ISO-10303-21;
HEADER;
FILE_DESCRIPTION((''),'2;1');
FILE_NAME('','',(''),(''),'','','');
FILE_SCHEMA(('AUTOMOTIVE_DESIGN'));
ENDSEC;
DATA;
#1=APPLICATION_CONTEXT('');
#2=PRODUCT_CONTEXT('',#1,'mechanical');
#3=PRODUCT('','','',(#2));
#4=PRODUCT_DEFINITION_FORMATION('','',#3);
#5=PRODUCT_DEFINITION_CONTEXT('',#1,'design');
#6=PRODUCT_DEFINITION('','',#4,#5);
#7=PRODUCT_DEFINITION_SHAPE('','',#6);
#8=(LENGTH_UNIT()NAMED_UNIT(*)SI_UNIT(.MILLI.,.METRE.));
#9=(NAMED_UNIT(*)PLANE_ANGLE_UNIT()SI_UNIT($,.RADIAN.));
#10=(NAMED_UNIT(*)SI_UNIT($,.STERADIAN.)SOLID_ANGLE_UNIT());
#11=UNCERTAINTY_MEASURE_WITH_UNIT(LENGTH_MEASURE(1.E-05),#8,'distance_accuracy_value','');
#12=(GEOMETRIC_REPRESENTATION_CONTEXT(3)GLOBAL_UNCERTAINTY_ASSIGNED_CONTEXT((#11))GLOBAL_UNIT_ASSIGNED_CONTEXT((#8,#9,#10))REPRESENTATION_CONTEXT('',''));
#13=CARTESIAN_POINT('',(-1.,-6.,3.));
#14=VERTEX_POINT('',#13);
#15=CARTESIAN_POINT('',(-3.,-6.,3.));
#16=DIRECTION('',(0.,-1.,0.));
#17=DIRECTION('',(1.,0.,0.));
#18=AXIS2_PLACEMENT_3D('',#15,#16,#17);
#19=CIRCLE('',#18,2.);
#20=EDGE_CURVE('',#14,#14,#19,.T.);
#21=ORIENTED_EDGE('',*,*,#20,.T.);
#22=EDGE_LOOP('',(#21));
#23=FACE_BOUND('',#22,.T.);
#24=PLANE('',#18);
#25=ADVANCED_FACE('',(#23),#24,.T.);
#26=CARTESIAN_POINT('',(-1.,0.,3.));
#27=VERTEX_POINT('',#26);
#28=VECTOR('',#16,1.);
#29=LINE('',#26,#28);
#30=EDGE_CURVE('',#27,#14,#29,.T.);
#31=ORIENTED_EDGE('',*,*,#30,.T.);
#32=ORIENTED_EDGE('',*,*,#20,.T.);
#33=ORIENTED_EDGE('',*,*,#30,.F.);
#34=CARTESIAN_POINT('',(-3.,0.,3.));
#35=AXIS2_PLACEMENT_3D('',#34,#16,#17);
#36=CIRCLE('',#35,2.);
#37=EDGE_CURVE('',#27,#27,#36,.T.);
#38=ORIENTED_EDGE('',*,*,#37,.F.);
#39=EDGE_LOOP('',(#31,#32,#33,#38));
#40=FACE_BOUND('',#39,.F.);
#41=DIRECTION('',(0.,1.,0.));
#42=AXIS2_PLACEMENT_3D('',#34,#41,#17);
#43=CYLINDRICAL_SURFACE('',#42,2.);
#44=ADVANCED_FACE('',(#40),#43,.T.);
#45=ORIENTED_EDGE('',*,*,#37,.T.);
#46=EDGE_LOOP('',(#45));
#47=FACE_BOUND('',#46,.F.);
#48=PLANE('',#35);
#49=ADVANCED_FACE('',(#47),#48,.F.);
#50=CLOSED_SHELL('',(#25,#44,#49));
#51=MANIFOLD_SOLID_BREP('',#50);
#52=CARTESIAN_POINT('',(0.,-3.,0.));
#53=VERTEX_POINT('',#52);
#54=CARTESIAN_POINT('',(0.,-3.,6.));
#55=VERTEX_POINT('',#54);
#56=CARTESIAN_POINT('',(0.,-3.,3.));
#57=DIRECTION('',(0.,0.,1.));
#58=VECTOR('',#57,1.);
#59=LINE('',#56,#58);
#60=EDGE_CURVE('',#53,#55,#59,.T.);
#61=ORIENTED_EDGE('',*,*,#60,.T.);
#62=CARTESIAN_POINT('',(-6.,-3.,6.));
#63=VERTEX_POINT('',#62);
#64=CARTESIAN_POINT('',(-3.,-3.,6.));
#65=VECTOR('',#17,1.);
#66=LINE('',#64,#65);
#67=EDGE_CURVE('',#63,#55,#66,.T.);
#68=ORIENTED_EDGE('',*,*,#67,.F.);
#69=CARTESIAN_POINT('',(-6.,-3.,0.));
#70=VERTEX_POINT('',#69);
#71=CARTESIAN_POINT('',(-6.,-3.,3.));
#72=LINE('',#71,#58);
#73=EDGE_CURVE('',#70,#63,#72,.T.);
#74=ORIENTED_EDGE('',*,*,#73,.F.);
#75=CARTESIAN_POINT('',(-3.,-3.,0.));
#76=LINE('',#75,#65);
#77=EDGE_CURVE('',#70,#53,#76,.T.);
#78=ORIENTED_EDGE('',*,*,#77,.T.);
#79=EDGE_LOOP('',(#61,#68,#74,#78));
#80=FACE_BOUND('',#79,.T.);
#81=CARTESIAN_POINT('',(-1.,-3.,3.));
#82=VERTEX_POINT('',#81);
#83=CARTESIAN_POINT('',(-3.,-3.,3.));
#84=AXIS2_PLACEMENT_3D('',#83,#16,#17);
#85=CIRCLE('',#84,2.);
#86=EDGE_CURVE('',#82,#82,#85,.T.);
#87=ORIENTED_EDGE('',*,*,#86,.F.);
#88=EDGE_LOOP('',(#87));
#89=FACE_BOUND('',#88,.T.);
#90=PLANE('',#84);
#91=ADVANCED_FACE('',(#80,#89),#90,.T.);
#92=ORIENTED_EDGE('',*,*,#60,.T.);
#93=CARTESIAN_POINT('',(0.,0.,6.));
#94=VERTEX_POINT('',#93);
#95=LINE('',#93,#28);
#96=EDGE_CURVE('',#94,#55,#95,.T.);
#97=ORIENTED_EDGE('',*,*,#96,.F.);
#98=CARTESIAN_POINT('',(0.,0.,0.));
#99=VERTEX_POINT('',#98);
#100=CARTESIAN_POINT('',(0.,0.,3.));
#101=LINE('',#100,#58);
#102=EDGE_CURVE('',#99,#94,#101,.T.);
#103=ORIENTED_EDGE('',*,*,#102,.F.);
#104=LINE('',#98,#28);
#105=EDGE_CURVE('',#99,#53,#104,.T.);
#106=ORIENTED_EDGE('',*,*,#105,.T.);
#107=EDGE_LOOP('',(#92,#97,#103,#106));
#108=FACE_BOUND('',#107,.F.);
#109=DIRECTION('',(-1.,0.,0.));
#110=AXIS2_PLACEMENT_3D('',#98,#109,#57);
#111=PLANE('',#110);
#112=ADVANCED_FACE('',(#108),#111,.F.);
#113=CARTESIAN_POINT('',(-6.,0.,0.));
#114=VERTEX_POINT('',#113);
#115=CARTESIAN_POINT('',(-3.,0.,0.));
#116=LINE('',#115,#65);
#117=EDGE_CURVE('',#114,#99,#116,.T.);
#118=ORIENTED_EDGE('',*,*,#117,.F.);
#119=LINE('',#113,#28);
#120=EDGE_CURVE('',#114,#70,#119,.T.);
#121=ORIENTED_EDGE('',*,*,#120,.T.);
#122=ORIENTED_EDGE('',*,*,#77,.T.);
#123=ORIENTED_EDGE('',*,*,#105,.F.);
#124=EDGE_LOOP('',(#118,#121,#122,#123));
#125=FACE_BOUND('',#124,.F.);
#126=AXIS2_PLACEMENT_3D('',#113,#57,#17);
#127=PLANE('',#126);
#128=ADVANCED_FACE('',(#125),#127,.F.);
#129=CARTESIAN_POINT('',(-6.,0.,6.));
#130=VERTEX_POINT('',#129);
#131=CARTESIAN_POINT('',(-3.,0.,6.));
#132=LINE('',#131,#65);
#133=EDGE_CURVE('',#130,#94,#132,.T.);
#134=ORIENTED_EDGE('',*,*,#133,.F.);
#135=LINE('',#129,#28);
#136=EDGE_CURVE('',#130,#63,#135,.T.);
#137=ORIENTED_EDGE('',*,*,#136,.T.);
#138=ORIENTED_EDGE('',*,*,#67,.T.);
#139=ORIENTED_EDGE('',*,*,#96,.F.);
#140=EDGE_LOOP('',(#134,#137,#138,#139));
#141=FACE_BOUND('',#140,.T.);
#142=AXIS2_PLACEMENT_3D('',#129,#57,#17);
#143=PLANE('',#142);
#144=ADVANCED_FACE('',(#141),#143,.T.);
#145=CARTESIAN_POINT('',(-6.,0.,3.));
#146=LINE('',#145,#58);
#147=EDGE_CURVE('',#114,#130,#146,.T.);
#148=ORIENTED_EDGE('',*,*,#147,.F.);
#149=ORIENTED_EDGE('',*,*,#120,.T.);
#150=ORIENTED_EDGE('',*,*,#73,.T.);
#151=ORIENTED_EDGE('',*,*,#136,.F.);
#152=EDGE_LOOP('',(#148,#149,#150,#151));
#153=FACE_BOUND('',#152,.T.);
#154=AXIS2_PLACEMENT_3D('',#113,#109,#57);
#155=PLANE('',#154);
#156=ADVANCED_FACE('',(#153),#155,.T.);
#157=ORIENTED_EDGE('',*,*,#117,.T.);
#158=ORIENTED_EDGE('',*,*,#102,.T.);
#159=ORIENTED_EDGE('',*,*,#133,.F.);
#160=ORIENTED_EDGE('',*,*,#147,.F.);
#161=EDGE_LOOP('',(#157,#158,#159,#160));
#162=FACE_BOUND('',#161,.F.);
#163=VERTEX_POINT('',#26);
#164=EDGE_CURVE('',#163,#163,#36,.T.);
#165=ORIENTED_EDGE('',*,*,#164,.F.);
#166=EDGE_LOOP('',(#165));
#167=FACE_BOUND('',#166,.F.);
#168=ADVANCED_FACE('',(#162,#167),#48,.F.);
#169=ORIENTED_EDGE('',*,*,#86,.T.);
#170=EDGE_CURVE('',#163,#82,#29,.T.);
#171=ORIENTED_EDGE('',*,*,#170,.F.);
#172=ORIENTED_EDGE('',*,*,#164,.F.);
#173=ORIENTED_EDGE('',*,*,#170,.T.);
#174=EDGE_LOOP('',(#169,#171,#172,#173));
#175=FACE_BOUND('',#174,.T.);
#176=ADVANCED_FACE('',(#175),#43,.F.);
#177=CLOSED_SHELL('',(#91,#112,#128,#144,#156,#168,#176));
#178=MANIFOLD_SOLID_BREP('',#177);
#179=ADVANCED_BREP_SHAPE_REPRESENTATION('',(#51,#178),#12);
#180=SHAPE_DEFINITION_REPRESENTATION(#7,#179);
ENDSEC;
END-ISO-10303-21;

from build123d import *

# Parameters (mm, degrees)
F0_R     = 2
F1_DEPTH = 6
F0_W     = 6
F0_H     = 6
F2_DEPTH = 3


with BuildPart() as f1:
    # F0 (on Front) → F1 (new body)
    with BuildSketch(Plane.XZ):
        with Locations((-3, 3)):
            Circle(F0_R)
    extrude(amount=F1_DEPTH)


with BuildPart() as f2:
    # F0 (on Front) → F2 (new body)
    with BuildSketch(Plane.XZ):
        with Locations((-3, 3)):
            Rectangle(F0_W, F0_H)
        with Locations((-3, 3)):
            Circle(F0_R, mode=Mode.SUBTRACT)
    extrude(amount=F2_DEPTH)


solid = Compound([f1.part, f2.part])
